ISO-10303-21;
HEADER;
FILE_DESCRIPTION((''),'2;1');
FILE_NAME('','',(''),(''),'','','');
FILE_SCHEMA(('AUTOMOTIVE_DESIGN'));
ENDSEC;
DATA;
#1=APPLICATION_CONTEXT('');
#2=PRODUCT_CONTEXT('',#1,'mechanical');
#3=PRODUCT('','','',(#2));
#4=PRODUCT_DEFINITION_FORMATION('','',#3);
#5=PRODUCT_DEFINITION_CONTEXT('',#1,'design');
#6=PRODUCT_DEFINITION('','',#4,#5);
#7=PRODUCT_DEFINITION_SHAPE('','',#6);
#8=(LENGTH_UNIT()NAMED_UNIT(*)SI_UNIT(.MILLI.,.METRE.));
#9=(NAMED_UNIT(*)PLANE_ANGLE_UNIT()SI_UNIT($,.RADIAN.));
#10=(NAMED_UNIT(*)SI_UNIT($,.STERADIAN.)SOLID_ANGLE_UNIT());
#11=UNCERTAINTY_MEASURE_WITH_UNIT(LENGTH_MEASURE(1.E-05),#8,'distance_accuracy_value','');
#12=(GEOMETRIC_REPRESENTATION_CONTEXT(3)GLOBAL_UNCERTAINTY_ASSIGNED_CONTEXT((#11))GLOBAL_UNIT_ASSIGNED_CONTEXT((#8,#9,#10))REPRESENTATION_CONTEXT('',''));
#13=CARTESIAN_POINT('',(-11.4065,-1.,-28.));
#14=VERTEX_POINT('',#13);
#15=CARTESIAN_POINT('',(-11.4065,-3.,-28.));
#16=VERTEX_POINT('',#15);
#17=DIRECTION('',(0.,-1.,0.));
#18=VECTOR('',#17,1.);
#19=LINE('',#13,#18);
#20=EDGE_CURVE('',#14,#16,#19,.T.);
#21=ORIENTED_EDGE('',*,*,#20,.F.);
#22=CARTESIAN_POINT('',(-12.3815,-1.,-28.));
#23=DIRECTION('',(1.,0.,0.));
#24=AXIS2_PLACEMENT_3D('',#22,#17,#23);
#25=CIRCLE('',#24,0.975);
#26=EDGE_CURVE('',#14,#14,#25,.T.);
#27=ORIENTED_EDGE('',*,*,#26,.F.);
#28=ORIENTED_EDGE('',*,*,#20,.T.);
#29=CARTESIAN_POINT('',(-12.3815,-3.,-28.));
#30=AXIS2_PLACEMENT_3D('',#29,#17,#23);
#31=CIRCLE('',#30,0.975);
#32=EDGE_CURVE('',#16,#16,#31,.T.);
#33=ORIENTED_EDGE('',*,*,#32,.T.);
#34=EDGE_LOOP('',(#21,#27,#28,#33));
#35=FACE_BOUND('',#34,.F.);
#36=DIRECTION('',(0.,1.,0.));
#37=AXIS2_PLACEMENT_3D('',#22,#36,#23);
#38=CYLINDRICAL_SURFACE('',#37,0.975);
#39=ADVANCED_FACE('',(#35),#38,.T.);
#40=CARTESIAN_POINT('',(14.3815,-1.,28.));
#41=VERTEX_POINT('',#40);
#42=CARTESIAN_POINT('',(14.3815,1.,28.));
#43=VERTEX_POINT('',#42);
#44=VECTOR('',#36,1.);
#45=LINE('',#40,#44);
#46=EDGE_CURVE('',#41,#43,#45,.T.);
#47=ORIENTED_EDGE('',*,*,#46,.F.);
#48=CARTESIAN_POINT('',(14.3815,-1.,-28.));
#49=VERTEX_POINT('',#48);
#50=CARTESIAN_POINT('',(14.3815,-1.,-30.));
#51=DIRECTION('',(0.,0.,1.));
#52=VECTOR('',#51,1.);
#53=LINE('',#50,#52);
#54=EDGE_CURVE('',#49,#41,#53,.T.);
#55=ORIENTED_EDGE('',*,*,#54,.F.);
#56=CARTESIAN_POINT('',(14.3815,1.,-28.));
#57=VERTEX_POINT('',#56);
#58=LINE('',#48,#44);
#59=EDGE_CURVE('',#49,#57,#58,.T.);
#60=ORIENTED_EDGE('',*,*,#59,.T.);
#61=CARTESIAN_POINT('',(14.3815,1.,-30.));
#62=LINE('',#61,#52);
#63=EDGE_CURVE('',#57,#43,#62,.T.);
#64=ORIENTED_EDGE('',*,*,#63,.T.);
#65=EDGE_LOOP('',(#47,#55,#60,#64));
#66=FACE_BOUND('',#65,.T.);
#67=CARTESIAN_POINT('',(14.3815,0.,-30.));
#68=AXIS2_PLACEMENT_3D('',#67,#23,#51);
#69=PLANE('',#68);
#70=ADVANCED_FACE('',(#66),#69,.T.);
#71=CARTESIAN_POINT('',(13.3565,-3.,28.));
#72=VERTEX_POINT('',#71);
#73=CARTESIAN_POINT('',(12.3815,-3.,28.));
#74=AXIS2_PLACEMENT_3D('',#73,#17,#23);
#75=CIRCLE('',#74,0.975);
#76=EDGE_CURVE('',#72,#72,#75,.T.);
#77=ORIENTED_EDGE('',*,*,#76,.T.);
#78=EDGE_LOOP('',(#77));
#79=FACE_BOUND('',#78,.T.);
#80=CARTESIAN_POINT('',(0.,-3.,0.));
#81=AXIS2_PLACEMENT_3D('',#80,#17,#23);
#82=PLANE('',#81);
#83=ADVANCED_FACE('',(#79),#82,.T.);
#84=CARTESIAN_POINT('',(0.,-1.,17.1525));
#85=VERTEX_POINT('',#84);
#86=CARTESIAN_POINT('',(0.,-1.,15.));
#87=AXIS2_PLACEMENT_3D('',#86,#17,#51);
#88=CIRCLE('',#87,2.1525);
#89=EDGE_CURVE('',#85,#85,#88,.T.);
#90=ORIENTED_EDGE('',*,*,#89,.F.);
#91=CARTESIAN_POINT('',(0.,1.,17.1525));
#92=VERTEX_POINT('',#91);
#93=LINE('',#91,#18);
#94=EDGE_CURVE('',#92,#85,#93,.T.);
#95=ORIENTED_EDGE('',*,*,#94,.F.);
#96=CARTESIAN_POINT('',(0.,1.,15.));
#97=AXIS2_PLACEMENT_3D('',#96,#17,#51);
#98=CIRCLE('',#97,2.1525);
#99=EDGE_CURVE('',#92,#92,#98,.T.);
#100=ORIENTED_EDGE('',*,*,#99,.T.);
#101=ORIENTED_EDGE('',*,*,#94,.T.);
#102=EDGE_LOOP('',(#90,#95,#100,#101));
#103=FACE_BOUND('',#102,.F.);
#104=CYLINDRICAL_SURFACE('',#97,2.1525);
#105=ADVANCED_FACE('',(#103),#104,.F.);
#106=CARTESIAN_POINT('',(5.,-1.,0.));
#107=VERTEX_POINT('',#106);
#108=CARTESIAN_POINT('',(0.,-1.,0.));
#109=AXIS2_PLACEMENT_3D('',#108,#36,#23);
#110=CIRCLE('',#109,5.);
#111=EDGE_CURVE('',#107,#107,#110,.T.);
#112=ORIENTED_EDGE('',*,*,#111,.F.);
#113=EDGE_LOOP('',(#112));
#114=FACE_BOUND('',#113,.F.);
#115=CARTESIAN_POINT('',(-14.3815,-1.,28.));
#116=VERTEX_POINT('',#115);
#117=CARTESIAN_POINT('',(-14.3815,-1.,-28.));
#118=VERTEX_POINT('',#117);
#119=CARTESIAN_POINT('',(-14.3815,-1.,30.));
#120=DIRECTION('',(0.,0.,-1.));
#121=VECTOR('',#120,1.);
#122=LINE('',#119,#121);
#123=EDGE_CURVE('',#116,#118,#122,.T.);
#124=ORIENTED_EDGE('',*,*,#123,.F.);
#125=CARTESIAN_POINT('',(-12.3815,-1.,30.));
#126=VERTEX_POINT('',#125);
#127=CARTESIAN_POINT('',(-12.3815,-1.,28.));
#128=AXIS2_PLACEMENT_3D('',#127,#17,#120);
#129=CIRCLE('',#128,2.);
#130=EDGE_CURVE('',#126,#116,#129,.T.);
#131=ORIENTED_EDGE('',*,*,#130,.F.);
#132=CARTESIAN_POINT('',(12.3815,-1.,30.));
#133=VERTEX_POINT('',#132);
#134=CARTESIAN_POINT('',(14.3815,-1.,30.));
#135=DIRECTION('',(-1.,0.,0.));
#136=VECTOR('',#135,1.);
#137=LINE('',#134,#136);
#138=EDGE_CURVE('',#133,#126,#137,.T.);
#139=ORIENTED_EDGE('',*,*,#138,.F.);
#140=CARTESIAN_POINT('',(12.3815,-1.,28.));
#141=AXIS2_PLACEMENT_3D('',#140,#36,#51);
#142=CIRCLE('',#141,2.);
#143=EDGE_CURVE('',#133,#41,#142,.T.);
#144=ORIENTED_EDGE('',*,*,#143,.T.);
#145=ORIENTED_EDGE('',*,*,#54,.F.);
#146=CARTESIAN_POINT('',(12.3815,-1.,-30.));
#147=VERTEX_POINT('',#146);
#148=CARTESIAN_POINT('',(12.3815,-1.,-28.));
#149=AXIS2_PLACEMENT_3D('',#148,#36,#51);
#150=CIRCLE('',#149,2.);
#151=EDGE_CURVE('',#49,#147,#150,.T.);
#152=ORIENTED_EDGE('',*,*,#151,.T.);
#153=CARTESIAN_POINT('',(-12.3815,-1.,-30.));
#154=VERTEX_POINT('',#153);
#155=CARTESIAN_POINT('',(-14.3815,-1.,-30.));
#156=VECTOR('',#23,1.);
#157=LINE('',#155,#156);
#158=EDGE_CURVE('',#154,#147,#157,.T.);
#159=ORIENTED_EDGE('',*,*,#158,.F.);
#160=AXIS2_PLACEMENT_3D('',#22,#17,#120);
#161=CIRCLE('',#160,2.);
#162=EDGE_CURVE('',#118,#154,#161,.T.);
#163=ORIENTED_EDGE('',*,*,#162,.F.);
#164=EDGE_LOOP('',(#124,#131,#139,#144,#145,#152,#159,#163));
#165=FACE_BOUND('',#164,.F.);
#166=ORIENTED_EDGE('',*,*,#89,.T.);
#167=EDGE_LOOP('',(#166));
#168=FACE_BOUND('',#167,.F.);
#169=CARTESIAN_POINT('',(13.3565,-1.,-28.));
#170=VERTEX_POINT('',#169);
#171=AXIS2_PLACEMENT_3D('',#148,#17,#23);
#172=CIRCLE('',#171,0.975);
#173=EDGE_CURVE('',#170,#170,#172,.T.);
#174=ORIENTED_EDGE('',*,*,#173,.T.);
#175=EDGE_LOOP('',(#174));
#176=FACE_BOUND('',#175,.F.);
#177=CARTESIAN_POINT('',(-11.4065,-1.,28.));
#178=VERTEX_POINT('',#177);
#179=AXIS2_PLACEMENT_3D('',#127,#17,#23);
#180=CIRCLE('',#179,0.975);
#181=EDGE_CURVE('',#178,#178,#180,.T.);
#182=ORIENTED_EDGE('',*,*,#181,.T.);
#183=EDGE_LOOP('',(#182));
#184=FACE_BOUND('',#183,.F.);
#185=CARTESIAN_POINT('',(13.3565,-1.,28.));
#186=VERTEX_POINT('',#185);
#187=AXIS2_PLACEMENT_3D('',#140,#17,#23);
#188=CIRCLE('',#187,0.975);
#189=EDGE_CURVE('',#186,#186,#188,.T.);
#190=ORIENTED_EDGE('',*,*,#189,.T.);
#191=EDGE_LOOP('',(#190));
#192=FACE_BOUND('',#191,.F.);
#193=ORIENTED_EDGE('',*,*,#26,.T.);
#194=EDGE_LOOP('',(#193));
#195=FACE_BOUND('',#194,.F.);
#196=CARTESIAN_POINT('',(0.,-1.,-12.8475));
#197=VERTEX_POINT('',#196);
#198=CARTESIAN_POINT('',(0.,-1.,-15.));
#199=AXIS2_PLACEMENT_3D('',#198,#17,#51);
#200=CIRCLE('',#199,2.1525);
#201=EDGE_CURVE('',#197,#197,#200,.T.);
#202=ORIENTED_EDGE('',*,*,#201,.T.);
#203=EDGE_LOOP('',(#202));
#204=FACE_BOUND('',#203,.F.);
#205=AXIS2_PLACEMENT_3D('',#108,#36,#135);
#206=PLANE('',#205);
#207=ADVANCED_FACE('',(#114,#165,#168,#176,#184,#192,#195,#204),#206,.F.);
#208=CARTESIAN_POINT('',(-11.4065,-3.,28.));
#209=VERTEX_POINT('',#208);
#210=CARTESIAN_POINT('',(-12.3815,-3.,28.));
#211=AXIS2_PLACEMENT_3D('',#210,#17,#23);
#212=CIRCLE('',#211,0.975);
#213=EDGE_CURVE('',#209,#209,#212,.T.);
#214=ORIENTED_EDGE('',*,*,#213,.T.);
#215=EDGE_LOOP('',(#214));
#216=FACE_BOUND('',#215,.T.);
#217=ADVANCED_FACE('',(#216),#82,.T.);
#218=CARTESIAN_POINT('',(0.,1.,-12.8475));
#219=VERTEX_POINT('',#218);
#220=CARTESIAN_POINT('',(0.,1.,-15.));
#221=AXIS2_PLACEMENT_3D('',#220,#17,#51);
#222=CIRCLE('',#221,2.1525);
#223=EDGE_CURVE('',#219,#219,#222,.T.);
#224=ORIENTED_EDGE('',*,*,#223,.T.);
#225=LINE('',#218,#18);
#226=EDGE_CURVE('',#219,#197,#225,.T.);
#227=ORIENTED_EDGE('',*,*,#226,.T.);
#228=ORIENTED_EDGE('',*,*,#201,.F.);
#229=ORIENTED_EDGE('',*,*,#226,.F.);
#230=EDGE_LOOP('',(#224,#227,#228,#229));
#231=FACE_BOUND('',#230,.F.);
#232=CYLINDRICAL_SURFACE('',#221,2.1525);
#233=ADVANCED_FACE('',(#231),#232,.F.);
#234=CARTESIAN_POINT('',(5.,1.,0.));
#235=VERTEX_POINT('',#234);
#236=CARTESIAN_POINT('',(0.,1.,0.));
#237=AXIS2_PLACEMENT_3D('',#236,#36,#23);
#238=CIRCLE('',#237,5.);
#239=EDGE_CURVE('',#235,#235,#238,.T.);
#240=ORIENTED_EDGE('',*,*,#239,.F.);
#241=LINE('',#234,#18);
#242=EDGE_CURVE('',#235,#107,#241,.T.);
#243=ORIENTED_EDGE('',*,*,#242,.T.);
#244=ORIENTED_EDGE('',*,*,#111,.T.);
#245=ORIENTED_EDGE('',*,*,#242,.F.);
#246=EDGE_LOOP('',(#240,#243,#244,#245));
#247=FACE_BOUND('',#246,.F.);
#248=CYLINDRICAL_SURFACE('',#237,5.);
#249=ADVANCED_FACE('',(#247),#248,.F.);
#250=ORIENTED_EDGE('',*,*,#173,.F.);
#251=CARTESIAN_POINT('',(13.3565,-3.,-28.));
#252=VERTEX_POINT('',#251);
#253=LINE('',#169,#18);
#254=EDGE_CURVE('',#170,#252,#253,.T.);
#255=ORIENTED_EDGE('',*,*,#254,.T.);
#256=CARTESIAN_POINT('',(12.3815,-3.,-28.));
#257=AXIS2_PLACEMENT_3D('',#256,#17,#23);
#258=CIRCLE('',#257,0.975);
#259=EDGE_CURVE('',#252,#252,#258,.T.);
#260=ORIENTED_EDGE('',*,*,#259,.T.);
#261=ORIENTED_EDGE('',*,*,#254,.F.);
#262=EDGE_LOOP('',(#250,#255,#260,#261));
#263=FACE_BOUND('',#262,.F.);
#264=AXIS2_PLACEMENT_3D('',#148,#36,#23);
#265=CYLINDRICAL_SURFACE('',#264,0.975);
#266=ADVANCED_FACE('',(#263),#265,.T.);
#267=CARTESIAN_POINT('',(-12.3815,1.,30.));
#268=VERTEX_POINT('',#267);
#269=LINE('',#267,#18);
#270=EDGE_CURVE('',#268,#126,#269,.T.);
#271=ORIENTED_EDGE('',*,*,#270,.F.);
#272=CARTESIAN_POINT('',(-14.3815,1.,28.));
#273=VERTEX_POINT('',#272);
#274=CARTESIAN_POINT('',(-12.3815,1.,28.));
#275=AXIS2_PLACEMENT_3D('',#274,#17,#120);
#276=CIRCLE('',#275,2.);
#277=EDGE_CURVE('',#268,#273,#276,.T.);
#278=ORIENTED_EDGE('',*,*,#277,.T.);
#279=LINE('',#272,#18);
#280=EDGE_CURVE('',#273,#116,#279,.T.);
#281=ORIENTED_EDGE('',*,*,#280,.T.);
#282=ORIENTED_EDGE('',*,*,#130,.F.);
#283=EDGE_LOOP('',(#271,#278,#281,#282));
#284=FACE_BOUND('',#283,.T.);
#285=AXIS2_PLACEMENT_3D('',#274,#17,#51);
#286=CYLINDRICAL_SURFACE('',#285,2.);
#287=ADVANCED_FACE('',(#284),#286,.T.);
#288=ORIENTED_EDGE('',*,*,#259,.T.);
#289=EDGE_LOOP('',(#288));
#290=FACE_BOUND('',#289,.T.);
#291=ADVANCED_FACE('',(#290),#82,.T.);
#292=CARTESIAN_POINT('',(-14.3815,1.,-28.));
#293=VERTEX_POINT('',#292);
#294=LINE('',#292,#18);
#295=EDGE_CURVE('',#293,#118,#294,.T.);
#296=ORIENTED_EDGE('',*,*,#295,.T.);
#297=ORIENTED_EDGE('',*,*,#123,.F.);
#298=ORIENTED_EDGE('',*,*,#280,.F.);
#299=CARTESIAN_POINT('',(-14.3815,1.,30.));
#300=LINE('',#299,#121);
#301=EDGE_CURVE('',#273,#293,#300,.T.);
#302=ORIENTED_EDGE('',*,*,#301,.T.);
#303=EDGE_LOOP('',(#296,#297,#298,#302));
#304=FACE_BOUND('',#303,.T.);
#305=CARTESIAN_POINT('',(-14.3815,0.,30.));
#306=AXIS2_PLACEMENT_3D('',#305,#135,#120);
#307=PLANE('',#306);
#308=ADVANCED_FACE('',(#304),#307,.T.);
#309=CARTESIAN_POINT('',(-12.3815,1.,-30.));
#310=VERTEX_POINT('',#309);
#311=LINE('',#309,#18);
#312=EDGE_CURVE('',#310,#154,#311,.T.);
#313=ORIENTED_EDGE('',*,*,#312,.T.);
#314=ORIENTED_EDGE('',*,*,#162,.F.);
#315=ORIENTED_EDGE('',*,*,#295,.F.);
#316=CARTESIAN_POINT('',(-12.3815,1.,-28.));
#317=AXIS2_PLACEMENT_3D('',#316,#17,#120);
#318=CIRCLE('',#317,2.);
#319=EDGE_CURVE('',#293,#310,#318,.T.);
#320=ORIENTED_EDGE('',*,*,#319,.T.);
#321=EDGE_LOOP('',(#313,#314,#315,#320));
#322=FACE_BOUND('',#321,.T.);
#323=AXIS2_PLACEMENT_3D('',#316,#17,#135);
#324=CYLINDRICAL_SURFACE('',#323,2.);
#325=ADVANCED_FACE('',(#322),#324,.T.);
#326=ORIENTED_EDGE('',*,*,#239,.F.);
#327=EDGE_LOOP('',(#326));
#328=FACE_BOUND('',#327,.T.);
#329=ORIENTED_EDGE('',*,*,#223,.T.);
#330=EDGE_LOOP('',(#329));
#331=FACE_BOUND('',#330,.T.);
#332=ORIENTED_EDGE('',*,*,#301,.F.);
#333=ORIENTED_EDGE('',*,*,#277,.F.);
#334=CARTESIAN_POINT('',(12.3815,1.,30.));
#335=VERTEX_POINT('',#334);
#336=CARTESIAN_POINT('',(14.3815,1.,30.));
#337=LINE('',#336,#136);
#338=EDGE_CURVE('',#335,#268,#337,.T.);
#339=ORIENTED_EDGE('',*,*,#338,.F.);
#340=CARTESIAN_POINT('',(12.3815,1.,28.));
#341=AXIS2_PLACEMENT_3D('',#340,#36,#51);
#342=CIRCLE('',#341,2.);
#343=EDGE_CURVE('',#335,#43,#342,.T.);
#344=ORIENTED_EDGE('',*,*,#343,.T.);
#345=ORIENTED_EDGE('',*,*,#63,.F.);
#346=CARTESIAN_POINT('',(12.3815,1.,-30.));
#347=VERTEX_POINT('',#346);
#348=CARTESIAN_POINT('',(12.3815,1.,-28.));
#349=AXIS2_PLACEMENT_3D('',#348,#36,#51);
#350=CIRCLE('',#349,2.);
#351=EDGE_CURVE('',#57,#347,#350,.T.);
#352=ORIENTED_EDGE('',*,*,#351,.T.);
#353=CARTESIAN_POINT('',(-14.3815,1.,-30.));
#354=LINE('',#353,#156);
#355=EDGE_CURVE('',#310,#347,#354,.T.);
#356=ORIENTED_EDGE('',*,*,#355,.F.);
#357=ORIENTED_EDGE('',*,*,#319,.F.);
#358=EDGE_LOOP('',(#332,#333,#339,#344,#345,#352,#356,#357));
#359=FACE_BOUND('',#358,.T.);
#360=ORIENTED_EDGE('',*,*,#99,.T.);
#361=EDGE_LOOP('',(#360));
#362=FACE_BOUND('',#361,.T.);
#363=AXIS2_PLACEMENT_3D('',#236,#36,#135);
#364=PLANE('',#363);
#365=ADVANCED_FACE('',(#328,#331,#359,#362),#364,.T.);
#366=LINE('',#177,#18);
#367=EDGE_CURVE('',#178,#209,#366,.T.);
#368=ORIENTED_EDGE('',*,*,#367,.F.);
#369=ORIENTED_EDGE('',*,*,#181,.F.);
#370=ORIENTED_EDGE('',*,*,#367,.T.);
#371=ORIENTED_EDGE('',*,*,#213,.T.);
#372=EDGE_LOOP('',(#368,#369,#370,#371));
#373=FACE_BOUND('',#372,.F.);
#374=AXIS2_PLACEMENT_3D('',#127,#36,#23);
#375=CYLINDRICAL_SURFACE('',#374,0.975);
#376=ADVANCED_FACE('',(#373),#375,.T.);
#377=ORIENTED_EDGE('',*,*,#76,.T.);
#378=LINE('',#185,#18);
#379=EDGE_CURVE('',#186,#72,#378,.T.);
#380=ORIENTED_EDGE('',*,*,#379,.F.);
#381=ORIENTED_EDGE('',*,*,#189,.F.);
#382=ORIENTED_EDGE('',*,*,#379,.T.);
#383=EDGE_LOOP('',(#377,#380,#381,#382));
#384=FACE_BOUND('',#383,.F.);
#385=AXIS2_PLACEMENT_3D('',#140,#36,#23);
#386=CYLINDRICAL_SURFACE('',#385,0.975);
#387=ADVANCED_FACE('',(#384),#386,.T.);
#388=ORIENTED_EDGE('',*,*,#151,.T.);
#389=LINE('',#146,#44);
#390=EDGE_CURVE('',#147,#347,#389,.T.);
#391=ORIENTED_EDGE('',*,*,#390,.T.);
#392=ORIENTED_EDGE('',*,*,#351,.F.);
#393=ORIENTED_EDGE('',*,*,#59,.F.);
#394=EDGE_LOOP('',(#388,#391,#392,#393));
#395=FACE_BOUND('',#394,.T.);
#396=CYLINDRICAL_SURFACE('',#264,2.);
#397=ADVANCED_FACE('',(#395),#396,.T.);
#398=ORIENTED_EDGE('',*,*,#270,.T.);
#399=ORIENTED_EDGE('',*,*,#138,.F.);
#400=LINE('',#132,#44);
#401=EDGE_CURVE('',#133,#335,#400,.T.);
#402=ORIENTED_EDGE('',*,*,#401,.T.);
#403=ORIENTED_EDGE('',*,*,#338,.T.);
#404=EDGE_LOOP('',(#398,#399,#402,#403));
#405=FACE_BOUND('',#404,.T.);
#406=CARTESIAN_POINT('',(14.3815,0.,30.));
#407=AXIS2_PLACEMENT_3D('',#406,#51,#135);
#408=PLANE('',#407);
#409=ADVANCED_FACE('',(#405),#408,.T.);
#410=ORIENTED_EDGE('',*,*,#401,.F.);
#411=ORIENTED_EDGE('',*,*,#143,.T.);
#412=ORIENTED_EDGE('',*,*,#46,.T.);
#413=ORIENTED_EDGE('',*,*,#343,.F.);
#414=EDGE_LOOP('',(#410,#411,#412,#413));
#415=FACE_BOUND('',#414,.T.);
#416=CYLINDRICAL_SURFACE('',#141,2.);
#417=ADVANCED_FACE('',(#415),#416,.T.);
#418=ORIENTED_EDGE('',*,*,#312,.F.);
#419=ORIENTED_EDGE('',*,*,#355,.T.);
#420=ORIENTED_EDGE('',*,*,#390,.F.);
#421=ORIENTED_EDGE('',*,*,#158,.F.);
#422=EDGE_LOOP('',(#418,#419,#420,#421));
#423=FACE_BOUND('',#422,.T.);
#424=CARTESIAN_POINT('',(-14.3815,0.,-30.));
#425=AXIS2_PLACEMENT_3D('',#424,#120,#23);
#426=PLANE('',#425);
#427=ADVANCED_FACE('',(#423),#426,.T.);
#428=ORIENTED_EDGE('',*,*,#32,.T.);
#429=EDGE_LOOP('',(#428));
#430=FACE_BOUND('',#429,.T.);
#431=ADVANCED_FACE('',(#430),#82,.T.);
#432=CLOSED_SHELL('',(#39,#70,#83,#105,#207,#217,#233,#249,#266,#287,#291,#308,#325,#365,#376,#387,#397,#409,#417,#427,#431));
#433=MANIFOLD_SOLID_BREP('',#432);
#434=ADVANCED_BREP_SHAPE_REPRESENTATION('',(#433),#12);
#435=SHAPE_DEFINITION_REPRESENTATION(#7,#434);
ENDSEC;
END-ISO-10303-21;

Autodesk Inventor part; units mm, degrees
ref_plane "YZ Plane" through (0, 0, 0) normal (1, 0, 0) x (0, 1, 0)
ref_plane "XZ Plane" through (0, 0, 0) normal (0, 1, 0) x (-1, 0, 0)
ref_plane "XY Plane" through (0, 0, 0) normal (0, 0, 1) x (1, 0, 0)
sketch "Sketch1" plane through (0, 0, 0) normal (0, 1, 0) x (-1, 0, 0)
  line L0 (-14.3815, 30) -> (14.3815, 30)
  line L1 (14.3815, 30) -> (14.3815, -30)
  line L2 (14.3815, -30) -> (-14.3815, -30)
  line L3 (-14.3815, -30) -> (-14.3815, 30)
  line L4 (-14.3815, 30) -> (14.3815, -30) construction
  line L5 (14.3815, 30) -> (-14.3815, -30) construction
  point P0 (0, 0)
  dimension "d2" = 60
  dimension "d3" = 28.763
extrude "Extrusion1" add sketch "Sketch1" along normal mid plane 2
sketch "Sketch2" plane through (0, 1, 0) normal (0, 1, 0) x (1, 0, 0)
  circle A0 centre (0, 0) radius 5
  dimension "d4" = 10
extrude "Extrusion2" cut sketch "Sketch2" against normal through all
sketch "Sketch3" plane through (0, 1, 0) normal (0, 1, 0) x (1, 0, 0)
  line L0 (0, 0) -> (0, 30) construction
  line L1 (-14.3815, 30) -> (14.3815, 30) construction
  line L2 (0, 0) -> (0, -30) construction
  line L3 (14.3815, -30) -> (-14.3815, -30) construction
  point P0 (0, -15)
  point P1 (0, 15)
hole "Hole1" at (0, 1, 15) at (0, 1, -15) direction (0, -1, 0) diameter 4.305 end through all clearance for "Flat Head Machine Screw (82)" size "#6" standard "Ansi Unified Screw Threads"
sketch "Sketch4" plane through (0, -1, 0) normal (0, -1, 0) x (1, 0, 0)
  circle A0 centre (-12.3815, 28) radius 0.975
  circle A1 centre (-12.3815, -28) radius 0.975
  circle A2 centre (12.3815, -28) radius 0.975
  circle A3 centre (12.3815, 28) radius 0.975
  line L0 (-14.3815, 30) -> (-14.3815, -30) projected
  line L1 (14.3815, 30) -> (-14.3815, 30) projected
  line L2 (14.3815, -30) -> (14.3815, 30) projected
  line L3 (-14.3815, -30) -> (14.3815, -30) projected
  point P0 (0, 0)
  dimension "d14" = 1.95
  dimension "d15" = 2
  dimension "d16" = 2
  dimension "d17" = 2
  dimension "d18" = 2
extrude "Extrusion3" add sketch "Sketch4" along normal blind 2 contours A0 | A1 | A2 | A3
fillet "Fillet1" radius 2 4 edges at (14.3815, 0, 30) (-14.3815, 0, 30) (-14.3815, 0, -30) (14.3815, 0, -30)
equation "\"d16\" = d15"
equation "\"d17\" = d15"
equation "\"d18\" = d15"
properties part number "GearCoverTop"
